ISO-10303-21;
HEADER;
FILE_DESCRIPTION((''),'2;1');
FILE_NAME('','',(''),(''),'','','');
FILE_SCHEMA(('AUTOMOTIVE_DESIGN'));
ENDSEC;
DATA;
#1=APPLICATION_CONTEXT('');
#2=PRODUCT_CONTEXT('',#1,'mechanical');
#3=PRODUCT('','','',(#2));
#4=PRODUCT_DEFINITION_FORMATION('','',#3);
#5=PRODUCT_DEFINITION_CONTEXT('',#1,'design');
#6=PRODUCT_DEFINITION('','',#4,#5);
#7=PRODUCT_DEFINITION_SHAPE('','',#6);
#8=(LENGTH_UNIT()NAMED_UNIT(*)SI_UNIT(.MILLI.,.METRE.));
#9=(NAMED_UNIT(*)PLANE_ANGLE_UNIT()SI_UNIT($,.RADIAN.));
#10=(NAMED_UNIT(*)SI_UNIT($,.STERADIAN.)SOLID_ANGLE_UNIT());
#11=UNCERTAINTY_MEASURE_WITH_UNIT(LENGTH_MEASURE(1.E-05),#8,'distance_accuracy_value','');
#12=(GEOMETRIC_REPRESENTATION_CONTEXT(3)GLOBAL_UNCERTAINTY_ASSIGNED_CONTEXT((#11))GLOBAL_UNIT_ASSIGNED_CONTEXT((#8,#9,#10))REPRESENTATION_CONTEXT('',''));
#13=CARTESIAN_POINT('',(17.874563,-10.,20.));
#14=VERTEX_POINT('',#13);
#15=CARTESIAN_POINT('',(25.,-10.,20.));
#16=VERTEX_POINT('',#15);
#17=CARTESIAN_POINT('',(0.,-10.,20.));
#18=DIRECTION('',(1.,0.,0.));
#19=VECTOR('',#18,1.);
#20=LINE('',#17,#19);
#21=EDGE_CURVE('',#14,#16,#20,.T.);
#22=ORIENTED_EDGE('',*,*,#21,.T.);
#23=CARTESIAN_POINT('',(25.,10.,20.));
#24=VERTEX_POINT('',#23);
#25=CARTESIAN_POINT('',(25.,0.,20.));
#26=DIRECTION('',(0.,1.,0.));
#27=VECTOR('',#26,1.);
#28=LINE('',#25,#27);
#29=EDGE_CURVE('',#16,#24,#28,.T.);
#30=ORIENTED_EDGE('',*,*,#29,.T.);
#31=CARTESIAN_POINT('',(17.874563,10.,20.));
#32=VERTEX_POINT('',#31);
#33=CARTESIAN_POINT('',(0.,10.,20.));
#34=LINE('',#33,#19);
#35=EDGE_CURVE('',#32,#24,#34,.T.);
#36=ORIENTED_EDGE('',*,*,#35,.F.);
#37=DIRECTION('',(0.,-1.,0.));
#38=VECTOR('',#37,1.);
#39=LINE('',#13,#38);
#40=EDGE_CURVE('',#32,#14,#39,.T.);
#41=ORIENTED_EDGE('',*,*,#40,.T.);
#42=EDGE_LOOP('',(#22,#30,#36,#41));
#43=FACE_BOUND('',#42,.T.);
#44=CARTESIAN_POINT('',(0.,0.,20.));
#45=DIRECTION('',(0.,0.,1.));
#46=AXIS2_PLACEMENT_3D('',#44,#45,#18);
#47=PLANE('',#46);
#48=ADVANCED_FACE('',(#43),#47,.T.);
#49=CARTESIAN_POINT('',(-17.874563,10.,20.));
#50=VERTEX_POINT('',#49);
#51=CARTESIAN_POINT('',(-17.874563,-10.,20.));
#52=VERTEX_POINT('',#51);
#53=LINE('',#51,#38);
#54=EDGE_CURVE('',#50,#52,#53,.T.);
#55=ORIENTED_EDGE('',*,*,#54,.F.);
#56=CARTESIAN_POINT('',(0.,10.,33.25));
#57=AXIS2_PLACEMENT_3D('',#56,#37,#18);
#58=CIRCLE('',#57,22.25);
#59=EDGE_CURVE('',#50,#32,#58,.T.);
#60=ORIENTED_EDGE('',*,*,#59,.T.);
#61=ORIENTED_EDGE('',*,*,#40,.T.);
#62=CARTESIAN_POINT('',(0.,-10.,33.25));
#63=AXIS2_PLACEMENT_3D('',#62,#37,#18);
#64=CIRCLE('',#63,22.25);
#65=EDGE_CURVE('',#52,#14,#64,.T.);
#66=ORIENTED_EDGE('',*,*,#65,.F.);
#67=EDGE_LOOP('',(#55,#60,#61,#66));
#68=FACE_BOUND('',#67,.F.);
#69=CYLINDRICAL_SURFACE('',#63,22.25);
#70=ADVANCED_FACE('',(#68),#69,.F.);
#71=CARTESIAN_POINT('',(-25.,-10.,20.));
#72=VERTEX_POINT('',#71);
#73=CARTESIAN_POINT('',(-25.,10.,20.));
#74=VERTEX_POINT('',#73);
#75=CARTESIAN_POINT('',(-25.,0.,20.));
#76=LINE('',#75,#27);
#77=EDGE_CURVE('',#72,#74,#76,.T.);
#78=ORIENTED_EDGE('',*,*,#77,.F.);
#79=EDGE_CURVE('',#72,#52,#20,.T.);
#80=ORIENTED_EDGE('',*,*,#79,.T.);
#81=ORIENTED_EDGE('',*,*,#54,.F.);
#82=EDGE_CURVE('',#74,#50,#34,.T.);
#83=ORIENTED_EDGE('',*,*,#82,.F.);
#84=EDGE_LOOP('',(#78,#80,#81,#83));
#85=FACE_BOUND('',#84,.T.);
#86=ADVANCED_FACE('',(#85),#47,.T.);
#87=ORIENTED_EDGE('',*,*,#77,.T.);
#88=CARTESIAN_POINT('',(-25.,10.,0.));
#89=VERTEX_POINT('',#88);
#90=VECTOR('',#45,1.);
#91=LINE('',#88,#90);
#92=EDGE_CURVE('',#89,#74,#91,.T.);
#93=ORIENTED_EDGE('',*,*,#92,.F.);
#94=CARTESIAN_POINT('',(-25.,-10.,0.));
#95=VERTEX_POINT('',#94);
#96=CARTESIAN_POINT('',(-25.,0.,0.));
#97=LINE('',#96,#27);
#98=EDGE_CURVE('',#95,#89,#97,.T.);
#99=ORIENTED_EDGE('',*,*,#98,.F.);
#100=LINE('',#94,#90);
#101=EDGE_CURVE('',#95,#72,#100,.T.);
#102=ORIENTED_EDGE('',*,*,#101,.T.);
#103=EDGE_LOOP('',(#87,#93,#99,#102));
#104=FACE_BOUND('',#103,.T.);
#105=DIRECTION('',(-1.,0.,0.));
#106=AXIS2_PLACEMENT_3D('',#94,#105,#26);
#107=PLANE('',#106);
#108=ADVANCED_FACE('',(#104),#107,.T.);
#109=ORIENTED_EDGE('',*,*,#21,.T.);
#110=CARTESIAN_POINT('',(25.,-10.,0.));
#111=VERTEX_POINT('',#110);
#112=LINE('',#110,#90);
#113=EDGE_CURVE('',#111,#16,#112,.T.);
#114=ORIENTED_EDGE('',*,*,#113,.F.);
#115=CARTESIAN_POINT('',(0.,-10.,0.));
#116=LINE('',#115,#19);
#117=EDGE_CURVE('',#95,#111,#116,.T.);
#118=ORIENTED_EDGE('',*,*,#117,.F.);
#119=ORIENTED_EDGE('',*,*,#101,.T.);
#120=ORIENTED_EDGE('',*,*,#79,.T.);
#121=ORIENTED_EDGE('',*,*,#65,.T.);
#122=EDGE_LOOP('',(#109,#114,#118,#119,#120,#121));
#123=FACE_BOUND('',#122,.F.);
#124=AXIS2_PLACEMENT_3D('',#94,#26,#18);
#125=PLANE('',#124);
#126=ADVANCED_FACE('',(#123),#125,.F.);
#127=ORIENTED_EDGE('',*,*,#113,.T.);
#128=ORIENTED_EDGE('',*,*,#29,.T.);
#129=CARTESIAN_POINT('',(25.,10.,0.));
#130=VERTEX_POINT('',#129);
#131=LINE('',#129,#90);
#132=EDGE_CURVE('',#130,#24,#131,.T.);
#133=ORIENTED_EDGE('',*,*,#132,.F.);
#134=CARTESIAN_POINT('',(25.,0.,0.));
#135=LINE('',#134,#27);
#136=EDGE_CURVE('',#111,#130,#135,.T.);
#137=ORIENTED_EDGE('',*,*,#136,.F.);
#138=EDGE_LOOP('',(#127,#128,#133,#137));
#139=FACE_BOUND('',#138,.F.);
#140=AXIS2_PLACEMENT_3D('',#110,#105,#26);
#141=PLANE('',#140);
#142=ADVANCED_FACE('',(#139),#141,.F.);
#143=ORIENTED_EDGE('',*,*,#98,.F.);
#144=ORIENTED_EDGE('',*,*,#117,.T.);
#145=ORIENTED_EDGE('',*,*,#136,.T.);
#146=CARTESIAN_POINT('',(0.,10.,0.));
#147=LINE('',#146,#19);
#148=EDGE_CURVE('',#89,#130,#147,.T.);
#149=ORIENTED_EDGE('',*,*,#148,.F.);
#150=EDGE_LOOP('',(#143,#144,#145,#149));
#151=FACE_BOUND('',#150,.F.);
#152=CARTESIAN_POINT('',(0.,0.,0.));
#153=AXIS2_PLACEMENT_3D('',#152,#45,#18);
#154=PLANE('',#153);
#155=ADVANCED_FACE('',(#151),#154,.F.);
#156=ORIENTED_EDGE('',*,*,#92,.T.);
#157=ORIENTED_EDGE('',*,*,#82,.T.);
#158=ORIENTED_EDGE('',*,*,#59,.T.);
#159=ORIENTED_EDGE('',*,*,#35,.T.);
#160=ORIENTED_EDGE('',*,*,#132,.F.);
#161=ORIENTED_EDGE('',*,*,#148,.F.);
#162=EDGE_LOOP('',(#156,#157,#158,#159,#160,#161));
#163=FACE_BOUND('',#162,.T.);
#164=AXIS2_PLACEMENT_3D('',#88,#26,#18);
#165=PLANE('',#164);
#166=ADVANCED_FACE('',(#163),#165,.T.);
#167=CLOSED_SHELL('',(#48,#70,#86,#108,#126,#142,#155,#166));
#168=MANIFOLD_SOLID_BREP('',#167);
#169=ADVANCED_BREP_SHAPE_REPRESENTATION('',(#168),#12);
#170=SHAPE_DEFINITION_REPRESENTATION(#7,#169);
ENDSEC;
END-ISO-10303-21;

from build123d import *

# Parameters (mm, degrees)
F0_W     = 50
F0_H     = 20
F1_DEPTH = 20
F2_R     = 22.25
F3_DEPTH = 25


with BuildPart() as f1:
    # F0 (on Top) → F1 (new body)
    with BuildSketch(Plane.XY):
        Rectangle(F0_W, F0_H)
    extrude(amount=F1_DEPTH)

    # F2 (on face) → F3 (cut)
    with BuildSketch(Plane.XZ.offset(10)):
        with Locations((0, 33.25)):
            Circle(F2_R)
    extrude(amount=-F3_DEPTH, mode=Mode.SUBTRACT)


solid = f1.part
